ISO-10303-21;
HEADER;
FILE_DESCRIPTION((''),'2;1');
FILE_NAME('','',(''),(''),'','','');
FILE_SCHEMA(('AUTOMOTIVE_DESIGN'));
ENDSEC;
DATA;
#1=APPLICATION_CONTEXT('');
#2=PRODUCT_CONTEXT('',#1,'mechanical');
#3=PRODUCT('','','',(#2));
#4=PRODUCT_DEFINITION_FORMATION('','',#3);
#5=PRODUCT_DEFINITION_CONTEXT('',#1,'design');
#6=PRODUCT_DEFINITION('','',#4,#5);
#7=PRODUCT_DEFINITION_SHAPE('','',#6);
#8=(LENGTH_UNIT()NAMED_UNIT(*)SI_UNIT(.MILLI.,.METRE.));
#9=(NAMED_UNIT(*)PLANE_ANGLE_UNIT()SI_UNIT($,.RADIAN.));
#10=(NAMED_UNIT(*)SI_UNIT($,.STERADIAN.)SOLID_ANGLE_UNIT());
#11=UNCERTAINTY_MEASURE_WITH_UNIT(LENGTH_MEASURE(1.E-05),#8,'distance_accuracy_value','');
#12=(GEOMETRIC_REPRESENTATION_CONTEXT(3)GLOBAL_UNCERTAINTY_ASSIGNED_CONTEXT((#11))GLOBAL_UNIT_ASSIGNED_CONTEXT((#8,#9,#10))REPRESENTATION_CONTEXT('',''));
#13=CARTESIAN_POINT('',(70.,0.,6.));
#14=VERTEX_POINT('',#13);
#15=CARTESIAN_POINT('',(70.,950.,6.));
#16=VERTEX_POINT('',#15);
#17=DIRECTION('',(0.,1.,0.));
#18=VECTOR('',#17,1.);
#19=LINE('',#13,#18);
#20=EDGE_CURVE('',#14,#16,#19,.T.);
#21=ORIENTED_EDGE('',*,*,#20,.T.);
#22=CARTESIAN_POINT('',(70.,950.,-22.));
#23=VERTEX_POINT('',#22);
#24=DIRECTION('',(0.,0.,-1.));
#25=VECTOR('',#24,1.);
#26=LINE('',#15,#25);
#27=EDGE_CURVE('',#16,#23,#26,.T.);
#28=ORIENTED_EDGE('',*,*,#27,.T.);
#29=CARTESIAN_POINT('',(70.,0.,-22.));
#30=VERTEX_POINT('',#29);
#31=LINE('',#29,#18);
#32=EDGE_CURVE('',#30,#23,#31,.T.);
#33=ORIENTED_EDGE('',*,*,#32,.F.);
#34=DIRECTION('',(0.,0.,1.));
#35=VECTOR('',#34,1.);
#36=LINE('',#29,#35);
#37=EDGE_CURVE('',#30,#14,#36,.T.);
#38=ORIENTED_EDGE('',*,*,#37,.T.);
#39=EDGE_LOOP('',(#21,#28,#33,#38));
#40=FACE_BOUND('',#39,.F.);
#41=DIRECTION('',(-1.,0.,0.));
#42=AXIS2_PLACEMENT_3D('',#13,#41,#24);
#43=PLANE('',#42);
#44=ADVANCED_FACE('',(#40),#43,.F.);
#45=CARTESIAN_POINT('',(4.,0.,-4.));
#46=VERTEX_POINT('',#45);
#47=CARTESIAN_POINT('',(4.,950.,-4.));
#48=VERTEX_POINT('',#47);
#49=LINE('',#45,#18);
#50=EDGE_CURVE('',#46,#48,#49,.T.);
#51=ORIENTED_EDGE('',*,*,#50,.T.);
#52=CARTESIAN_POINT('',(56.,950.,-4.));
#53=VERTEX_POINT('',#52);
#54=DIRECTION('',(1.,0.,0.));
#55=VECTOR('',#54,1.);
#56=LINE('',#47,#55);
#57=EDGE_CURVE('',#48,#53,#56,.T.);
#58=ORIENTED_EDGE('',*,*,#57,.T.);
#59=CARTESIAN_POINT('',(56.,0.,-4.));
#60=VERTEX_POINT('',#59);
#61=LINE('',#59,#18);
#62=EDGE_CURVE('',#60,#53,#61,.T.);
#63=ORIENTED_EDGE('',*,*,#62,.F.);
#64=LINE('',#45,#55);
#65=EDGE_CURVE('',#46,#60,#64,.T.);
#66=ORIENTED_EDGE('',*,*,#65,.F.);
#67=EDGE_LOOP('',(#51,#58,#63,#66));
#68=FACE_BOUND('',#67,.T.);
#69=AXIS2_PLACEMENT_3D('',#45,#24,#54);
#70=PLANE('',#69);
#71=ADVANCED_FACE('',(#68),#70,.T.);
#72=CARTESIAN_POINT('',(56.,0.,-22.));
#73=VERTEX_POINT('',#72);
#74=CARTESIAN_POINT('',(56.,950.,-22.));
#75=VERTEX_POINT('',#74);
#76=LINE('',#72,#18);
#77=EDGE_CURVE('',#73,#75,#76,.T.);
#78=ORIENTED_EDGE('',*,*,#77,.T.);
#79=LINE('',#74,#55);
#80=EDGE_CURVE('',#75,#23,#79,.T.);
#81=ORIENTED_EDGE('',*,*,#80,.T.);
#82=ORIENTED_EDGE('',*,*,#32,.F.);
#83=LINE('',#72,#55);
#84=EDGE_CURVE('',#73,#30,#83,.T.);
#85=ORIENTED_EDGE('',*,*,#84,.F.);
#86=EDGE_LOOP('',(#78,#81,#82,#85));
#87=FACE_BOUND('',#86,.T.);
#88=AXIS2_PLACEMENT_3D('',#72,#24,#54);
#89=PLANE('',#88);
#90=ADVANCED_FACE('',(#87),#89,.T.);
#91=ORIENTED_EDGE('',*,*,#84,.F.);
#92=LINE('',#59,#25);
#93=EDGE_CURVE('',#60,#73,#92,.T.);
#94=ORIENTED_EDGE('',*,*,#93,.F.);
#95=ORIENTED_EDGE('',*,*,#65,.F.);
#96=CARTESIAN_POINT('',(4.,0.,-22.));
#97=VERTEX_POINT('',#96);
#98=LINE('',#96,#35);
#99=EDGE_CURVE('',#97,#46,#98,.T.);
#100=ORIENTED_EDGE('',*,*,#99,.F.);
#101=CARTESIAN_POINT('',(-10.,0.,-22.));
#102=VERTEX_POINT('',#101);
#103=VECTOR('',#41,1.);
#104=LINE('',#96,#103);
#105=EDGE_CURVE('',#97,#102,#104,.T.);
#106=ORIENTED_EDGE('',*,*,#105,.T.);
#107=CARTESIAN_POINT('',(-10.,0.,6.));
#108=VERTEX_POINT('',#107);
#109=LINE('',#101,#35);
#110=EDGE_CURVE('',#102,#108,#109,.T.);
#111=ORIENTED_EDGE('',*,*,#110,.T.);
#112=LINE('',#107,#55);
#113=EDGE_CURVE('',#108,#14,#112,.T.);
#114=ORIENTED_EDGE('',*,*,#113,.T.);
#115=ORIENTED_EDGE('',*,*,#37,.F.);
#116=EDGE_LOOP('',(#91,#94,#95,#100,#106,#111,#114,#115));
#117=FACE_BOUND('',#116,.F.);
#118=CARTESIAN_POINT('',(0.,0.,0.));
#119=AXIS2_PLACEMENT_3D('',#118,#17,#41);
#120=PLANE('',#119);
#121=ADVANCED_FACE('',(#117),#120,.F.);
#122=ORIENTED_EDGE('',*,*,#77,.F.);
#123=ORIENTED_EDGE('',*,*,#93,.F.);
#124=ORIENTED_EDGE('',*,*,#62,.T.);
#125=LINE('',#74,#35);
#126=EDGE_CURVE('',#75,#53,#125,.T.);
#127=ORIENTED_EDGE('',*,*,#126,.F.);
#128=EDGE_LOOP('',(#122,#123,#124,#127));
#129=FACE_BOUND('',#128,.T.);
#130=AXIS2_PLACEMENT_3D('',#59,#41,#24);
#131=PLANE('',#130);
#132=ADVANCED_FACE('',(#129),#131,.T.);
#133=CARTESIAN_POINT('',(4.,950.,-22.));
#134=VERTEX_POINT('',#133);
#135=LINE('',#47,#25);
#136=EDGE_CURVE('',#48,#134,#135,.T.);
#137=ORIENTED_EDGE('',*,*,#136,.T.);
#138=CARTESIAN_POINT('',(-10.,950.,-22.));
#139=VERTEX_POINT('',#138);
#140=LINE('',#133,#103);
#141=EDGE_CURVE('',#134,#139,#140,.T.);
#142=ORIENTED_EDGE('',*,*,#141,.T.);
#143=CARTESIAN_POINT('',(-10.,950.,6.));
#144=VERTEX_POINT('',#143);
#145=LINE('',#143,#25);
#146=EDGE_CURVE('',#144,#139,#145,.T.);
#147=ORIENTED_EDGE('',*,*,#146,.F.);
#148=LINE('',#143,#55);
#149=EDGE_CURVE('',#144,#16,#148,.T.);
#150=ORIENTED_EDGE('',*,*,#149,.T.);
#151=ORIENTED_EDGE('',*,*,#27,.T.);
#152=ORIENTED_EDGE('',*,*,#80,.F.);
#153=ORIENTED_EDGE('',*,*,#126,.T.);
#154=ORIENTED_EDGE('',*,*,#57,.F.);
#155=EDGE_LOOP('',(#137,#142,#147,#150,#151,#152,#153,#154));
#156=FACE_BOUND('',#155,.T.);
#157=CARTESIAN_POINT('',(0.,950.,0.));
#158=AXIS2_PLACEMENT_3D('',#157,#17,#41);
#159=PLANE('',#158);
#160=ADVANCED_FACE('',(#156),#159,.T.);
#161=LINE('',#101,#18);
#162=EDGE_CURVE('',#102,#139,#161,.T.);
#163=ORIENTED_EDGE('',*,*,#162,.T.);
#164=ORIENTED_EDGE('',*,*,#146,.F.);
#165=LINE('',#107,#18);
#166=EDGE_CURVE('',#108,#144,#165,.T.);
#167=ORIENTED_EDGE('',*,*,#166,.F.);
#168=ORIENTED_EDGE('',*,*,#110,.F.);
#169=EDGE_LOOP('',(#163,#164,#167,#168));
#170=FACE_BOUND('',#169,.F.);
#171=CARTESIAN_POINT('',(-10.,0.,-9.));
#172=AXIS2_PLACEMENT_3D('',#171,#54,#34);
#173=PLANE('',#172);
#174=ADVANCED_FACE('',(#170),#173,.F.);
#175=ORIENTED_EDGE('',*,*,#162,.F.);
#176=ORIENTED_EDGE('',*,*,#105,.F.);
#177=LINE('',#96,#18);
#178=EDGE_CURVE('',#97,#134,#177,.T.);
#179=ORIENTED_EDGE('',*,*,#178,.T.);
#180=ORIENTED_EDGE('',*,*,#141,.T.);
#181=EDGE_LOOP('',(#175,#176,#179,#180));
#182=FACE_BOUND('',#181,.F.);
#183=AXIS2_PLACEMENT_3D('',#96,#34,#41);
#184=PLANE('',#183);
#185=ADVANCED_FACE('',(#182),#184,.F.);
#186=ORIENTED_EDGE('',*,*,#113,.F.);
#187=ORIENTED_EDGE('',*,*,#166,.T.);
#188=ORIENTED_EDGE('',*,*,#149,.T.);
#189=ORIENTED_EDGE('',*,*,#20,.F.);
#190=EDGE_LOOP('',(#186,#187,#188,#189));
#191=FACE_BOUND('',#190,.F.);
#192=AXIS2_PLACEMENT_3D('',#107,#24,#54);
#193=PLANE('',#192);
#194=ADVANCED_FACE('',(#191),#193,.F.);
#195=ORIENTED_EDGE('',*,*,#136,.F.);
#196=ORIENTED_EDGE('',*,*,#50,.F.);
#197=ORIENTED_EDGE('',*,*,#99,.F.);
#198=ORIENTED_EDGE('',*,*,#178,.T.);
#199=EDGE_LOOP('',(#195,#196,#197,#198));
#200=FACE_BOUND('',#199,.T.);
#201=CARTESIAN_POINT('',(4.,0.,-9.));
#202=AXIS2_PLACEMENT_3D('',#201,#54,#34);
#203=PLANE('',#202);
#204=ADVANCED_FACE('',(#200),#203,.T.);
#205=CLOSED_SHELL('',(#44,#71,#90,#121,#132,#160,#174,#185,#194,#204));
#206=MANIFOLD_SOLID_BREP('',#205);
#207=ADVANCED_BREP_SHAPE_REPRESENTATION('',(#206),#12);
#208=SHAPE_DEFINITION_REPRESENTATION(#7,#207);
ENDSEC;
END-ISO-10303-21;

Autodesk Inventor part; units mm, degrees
ref_plane "YZ Plane" through (0, 0, 0) normal (1, 0, 0) x (0, 1, 0)
ref_plane "XZ Plane" through (0, 0, 0) normal (0, 1, 0) x (-1, 0, 0)
ref_plane "XY Plane" through (0, 0, 0) normal (0, 0, 1) x (1, 0, 0)
sketch "Sketch1" plane through (0, 0, 0) normal (0, 1, 0) x (-1, 0, 0)
  line L0 (10, 6) -> (-70, 6)
  line L1 (-70, 6) -> (-70, -9)
  line L2 (-70, -9) -> (10, -9)
  line L3 (10, -9) -> (10, 6)
  line L4 (-17, -9) -> (-4, -22)
  line L5 (-4, -22) -> (10, -22)
  line L6 (10, -22) -> (10, -9)
  line L7 (-43, -9) -> (-56, -22)
  line L8 (-56, -22) -> (-70, -22)
  line L9 (-70, -22) -> (-70, -9)
  line L10 (-56, -22) -> (-4, -22)
  line L11 (-4, -22) -> (-4, -4)
  line L12 (-4, -4) -> (-56, -4)
  line L13 (-56, -4) -> (-56, -22)
  point P0 (0, 0)
  point P1 (-4, -22)
  dimension "d0" = 15
  dimension "d1" = 80
extrude "Extrusion1" add sketch "Sketch1" along normal blind 950 contours L3 L2 L11 L12 L13 L1 L0 | L6 L5 L11 L2 | L2 L13 L8 L9
properties part number "L_PlNKA800" material "Aluminum 6061"
